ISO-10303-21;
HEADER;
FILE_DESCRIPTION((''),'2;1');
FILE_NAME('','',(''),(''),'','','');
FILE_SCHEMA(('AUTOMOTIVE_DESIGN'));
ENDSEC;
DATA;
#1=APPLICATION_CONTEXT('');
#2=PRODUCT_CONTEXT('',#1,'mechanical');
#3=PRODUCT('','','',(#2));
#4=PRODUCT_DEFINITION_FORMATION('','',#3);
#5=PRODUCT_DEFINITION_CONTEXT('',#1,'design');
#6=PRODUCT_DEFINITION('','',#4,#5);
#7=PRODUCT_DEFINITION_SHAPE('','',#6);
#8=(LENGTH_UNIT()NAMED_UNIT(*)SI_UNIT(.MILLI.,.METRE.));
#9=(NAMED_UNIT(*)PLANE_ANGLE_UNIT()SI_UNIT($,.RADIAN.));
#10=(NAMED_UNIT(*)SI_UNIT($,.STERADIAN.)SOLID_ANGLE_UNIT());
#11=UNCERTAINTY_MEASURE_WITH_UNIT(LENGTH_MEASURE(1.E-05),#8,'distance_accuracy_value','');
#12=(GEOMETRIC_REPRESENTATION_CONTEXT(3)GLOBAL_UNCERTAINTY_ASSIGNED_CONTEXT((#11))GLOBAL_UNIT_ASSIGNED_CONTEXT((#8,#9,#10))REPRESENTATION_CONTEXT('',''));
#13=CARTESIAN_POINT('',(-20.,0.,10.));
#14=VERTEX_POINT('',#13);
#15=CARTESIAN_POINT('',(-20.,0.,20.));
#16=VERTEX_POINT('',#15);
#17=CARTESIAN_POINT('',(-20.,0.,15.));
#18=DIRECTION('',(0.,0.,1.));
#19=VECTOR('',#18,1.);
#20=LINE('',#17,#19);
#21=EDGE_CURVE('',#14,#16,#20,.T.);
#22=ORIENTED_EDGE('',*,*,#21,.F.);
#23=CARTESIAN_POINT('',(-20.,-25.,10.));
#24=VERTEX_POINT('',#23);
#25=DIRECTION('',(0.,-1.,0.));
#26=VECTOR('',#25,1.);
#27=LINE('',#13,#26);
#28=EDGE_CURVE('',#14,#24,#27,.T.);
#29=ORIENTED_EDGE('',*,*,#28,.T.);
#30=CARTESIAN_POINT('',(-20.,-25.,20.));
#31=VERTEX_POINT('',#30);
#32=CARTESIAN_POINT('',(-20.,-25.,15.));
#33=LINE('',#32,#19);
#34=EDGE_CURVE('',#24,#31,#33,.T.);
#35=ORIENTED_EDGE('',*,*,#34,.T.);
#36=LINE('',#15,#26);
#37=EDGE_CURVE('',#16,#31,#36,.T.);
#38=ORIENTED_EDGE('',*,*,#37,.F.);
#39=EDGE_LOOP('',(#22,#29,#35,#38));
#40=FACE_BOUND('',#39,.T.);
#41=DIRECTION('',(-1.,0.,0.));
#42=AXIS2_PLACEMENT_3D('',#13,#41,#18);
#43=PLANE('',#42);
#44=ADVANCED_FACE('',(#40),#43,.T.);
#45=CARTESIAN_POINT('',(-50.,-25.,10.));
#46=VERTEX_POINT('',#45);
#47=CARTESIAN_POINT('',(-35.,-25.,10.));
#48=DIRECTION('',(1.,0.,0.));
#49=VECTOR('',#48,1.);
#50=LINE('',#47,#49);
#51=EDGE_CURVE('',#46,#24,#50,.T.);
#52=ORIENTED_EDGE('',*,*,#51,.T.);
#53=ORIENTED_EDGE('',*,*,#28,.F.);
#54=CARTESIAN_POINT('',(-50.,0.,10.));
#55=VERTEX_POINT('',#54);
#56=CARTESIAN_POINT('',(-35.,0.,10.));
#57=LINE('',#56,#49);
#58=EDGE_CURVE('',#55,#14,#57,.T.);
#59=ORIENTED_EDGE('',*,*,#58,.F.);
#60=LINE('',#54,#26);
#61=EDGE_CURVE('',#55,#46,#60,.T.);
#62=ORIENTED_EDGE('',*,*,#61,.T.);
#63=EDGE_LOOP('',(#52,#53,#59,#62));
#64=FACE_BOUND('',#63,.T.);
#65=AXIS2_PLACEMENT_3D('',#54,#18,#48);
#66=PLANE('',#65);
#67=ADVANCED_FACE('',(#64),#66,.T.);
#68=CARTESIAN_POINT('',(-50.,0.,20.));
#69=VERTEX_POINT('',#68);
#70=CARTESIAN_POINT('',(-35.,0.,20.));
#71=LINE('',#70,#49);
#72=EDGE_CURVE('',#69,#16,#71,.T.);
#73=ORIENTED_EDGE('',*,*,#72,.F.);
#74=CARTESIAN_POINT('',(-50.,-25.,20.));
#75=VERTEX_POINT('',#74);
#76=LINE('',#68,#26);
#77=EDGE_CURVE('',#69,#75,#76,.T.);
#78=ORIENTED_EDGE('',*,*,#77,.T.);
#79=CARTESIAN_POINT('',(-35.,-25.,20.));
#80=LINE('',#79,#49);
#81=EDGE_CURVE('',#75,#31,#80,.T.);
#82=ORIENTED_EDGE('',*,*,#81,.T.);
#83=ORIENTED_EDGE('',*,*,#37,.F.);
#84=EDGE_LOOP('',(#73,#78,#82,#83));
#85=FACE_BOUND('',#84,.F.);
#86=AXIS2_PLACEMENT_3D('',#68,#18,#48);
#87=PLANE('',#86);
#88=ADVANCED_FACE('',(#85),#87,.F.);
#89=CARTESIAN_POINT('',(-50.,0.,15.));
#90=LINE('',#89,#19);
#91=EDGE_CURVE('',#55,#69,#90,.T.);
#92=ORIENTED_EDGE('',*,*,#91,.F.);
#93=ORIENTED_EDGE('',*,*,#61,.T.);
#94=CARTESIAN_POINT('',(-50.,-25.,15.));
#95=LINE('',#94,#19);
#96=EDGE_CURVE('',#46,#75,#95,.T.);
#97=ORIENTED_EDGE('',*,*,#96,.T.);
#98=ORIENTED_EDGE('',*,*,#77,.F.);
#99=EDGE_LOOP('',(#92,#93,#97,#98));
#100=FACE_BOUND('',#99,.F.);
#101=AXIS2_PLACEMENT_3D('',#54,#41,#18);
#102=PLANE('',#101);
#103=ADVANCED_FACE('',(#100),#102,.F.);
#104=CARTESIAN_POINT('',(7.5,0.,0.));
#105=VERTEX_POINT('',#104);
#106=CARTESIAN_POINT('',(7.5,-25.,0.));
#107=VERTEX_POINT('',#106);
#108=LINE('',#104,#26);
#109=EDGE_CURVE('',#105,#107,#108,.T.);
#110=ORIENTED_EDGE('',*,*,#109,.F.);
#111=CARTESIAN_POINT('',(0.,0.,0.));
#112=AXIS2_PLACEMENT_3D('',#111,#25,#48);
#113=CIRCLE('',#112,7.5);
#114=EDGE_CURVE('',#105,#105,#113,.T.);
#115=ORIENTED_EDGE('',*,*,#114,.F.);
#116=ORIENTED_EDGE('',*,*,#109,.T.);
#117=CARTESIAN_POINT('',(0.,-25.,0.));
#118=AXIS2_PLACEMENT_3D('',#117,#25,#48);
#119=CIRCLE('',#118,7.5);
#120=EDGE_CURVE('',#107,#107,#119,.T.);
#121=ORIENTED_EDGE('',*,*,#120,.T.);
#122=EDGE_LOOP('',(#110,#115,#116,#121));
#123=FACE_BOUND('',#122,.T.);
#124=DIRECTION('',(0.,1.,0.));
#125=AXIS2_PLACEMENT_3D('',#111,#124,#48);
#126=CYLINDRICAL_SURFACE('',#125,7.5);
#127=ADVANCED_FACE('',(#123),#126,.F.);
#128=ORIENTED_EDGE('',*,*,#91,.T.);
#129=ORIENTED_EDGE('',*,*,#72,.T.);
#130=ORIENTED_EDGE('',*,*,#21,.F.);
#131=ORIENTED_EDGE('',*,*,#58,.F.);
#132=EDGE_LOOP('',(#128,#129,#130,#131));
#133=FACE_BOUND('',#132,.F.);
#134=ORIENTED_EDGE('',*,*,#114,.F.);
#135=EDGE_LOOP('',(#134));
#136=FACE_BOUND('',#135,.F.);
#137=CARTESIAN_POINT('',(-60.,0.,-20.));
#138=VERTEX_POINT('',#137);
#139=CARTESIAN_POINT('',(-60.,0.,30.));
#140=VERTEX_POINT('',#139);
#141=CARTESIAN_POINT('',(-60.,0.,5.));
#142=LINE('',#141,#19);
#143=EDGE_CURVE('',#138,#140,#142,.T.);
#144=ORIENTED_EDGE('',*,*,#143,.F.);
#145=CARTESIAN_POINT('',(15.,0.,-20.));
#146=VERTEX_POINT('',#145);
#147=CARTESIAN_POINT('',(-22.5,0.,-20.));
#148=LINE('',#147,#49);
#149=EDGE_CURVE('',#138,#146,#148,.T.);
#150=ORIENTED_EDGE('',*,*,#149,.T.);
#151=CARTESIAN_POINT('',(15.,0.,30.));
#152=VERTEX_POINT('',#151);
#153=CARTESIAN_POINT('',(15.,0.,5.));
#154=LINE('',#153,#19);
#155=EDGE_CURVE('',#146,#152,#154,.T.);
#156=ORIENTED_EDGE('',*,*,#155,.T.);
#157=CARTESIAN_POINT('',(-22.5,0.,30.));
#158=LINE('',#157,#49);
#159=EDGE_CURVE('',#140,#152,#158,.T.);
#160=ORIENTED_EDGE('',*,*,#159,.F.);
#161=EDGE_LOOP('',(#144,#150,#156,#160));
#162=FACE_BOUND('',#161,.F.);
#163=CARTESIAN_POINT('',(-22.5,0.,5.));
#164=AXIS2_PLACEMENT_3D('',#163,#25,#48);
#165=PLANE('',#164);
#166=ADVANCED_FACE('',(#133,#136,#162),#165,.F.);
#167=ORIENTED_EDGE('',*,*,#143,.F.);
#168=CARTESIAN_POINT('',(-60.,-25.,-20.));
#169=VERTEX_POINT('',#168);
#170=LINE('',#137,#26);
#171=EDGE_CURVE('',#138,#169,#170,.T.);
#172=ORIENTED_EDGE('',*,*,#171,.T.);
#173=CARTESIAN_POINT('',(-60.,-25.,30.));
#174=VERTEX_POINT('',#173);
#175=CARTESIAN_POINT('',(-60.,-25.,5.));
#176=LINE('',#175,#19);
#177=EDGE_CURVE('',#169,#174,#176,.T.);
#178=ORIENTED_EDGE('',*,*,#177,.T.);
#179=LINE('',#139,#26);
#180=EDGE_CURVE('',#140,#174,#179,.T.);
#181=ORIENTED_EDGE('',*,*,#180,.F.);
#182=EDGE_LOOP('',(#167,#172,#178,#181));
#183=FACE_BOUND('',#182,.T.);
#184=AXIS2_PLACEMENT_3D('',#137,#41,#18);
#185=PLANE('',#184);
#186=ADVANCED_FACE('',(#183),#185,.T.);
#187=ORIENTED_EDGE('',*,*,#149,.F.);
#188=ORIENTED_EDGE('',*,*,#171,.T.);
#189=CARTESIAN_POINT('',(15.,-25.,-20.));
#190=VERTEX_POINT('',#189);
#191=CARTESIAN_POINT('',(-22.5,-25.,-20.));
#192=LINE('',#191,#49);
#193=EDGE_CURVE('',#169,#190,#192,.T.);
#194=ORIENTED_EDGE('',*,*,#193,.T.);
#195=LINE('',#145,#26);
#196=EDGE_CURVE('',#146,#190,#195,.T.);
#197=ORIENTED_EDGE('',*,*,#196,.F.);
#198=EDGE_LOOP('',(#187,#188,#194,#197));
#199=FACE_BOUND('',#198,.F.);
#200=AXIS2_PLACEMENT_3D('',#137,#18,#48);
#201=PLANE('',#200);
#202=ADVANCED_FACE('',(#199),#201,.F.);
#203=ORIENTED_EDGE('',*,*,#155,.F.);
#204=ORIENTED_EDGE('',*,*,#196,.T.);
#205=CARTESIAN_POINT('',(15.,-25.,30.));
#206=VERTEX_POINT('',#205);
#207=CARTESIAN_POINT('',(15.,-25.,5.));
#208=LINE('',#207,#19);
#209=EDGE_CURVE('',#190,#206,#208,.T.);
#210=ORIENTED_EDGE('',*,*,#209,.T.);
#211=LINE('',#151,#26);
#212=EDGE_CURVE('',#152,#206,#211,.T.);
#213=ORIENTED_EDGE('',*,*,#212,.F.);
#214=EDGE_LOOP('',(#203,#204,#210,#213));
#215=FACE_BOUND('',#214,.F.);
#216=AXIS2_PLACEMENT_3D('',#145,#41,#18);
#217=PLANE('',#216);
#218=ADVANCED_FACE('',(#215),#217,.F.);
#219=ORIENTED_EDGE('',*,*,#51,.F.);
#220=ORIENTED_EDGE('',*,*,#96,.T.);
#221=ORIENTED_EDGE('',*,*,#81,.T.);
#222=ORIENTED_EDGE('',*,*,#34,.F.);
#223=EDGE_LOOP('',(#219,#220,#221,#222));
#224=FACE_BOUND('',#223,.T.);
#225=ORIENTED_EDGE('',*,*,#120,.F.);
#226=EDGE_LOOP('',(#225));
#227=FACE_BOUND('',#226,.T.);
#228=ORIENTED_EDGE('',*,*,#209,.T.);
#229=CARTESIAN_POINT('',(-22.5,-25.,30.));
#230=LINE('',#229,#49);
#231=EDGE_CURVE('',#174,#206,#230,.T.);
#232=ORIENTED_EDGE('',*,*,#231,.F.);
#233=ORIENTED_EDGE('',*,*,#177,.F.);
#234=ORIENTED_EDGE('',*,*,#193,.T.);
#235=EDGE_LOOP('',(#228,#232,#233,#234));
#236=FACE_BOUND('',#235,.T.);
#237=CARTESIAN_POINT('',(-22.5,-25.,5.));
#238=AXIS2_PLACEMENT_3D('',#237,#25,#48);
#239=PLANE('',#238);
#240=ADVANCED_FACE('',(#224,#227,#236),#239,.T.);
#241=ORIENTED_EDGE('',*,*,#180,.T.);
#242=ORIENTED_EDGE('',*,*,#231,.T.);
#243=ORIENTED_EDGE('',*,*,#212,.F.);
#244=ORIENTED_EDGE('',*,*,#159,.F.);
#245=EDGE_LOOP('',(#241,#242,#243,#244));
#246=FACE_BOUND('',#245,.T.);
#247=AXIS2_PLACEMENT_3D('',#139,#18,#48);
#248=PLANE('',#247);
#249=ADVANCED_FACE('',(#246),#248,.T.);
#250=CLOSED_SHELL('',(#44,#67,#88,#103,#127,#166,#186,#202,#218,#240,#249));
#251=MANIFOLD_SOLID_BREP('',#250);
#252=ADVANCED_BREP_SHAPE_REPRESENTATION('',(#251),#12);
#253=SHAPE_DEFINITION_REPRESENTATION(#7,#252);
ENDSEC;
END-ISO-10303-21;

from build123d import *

# Parameters (mm, degrees)
F0_W     = 75
F0_H     = 50
F0_R     = 7.5
F0_W_2   = 30
F0_H_2   = 10
F1_DEPTH = 25


with BuildPart() as f1:
    # F0 (on Front) → F1 (new body)
    with BuildSketch(Plane.XZ):
        with Locations((-22.5, 5)):
            Rectangle(F0_W, F0_H)
        Circle(F0_R, mode=Mode.SUBTRACT)
        with Locations((-35, 15)):
            Rectangle(F0_W_2, F0_H_2, mode=Mode.SUBTRACT)
    extrude(amount=F1_DEPTH)


solid = f1.part
